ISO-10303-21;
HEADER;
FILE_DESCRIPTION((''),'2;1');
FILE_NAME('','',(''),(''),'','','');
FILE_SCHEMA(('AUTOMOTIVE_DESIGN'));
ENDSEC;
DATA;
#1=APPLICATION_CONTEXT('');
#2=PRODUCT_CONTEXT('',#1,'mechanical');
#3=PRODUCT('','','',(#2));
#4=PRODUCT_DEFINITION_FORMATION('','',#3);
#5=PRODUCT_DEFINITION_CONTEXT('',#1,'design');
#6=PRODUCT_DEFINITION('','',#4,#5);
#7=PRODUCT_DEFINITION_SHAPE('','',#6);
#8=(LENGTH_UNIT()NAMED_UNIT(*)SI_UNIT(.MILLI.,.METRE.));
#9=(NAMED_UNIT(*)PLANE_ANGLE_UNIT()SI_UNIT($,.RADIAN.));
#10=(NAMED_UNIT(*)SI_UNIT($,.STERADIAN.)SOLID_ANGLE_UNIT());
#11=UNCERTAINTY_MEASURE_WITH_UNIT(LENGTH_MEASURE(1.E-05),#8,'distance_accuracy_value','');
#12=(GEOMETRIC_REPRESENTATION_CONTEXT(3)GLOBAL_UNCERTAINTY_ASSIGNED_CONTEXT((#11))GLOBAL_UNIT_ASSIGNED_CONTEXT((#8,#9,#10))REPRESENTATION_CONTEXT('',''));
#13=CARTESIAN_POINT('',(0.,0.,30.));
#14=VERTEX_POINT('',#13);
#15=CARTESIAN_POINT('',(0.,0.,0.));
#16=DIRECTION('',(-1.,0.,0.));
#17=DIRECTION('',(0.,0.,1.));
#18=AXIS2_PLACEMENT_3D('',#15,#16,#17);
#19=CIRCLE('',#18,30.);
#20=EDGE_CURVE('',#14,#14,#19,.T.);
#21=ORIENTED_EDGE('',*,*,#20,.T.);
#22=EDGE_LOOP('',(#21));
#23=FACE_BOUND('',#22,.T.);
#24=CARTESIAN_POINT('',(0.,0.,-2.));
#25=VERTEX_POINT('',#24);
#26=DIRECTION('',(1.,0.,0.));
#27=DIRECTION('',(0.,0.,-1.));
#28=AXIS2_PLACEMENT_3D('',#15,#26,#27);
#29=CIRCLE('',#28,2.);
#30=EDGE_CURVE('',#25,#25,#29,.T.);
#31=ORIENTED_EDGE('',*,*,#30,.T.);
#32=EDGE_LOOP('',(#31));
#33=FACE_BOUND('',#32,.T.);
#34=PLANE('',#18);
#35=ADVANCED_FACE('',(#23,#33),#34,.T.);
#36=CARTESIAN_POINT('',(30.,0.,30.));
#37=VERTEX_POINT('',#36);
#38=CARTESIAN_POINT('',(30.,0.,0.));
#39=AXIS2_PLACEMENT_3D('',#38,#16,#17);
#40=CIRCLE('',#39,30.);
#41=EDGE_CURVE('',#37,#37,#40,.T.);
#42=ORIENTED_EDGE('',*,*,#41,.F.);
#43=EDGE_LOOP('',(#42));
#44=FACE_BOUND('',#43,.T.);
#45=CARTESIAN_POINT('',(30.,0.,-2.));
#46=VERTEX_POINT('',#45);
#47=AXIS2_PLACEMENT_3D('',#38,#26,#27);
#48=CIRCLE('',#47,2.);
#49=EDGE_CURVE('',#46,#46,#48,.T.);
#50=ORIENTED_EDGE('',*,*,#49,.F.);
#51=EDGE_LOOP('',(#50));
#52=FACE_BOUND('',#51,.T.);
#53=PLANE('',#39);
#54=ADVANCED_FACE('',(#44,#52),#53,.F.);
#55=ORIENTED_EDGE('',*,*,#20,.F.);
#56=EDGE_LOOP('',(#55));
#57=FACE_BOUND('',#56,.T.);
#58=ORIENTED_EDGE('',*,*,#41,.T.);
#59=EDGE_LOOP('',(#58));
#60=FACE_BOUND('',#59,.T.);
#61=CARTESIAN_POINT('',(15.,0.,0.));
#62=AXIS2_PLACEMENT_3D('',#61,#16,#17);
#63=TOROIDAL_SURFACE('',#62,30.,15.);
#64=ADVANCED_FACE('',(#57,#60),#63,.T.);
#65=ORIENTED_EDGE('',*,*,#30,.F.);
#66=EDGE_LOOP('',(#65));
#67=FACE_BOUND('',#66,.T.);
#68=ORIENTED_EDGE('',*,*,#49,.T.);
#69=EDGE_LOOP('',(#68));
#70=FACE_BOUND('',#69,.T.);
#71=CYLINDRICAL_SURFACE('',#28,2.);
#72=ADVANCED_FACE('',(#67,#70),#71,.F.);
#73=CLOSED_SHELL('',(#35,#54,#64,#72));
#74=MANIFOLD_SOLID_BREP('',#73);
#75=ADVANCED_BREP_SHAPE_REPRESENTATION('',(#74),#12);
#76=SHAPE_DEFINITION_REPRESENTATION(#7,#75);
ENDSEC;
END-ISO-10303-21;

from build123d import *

# Parameters (mm, degrees)
SKETCH2_R          = 2
CUT_EXTRUDE1_DEPTH = 71.356236525


with BuildPart() as part:
    # Sketch1 → Revolve1 (revolve)
    with BuildSketch(Plane.XY, mode=Mode.PRIVATE) as revolve1_sk:
        with BuildLine():
            Line((0, 0), (30, 0))
            Line((30, 0), (30, 30))
            ThreePointArc((30, 30), (15, 45), (0, 30))
            Line((0, 30), (0, 0))
        make_face()
    revolve(revolve1_sk.sketch.rotate(Axis((0, 0, 0), (1, 0, 0)), 90), axis=Axis((0, 0, 0), (1, 0, 0)))

    # Sketch2 → Cut-Extrude1 (cut, through all)
    with BuildSketch(Plane(origin=(30, 0, 0), x_dir=(0, 0, -1), z_dir=(1, 0, 0))):
        Circle(SKETCH2_R)
    extrude(amount=-CUT_EXTRUDE1_DEPTH, mode=Mode.SUBTRACT)


solid = part.part
